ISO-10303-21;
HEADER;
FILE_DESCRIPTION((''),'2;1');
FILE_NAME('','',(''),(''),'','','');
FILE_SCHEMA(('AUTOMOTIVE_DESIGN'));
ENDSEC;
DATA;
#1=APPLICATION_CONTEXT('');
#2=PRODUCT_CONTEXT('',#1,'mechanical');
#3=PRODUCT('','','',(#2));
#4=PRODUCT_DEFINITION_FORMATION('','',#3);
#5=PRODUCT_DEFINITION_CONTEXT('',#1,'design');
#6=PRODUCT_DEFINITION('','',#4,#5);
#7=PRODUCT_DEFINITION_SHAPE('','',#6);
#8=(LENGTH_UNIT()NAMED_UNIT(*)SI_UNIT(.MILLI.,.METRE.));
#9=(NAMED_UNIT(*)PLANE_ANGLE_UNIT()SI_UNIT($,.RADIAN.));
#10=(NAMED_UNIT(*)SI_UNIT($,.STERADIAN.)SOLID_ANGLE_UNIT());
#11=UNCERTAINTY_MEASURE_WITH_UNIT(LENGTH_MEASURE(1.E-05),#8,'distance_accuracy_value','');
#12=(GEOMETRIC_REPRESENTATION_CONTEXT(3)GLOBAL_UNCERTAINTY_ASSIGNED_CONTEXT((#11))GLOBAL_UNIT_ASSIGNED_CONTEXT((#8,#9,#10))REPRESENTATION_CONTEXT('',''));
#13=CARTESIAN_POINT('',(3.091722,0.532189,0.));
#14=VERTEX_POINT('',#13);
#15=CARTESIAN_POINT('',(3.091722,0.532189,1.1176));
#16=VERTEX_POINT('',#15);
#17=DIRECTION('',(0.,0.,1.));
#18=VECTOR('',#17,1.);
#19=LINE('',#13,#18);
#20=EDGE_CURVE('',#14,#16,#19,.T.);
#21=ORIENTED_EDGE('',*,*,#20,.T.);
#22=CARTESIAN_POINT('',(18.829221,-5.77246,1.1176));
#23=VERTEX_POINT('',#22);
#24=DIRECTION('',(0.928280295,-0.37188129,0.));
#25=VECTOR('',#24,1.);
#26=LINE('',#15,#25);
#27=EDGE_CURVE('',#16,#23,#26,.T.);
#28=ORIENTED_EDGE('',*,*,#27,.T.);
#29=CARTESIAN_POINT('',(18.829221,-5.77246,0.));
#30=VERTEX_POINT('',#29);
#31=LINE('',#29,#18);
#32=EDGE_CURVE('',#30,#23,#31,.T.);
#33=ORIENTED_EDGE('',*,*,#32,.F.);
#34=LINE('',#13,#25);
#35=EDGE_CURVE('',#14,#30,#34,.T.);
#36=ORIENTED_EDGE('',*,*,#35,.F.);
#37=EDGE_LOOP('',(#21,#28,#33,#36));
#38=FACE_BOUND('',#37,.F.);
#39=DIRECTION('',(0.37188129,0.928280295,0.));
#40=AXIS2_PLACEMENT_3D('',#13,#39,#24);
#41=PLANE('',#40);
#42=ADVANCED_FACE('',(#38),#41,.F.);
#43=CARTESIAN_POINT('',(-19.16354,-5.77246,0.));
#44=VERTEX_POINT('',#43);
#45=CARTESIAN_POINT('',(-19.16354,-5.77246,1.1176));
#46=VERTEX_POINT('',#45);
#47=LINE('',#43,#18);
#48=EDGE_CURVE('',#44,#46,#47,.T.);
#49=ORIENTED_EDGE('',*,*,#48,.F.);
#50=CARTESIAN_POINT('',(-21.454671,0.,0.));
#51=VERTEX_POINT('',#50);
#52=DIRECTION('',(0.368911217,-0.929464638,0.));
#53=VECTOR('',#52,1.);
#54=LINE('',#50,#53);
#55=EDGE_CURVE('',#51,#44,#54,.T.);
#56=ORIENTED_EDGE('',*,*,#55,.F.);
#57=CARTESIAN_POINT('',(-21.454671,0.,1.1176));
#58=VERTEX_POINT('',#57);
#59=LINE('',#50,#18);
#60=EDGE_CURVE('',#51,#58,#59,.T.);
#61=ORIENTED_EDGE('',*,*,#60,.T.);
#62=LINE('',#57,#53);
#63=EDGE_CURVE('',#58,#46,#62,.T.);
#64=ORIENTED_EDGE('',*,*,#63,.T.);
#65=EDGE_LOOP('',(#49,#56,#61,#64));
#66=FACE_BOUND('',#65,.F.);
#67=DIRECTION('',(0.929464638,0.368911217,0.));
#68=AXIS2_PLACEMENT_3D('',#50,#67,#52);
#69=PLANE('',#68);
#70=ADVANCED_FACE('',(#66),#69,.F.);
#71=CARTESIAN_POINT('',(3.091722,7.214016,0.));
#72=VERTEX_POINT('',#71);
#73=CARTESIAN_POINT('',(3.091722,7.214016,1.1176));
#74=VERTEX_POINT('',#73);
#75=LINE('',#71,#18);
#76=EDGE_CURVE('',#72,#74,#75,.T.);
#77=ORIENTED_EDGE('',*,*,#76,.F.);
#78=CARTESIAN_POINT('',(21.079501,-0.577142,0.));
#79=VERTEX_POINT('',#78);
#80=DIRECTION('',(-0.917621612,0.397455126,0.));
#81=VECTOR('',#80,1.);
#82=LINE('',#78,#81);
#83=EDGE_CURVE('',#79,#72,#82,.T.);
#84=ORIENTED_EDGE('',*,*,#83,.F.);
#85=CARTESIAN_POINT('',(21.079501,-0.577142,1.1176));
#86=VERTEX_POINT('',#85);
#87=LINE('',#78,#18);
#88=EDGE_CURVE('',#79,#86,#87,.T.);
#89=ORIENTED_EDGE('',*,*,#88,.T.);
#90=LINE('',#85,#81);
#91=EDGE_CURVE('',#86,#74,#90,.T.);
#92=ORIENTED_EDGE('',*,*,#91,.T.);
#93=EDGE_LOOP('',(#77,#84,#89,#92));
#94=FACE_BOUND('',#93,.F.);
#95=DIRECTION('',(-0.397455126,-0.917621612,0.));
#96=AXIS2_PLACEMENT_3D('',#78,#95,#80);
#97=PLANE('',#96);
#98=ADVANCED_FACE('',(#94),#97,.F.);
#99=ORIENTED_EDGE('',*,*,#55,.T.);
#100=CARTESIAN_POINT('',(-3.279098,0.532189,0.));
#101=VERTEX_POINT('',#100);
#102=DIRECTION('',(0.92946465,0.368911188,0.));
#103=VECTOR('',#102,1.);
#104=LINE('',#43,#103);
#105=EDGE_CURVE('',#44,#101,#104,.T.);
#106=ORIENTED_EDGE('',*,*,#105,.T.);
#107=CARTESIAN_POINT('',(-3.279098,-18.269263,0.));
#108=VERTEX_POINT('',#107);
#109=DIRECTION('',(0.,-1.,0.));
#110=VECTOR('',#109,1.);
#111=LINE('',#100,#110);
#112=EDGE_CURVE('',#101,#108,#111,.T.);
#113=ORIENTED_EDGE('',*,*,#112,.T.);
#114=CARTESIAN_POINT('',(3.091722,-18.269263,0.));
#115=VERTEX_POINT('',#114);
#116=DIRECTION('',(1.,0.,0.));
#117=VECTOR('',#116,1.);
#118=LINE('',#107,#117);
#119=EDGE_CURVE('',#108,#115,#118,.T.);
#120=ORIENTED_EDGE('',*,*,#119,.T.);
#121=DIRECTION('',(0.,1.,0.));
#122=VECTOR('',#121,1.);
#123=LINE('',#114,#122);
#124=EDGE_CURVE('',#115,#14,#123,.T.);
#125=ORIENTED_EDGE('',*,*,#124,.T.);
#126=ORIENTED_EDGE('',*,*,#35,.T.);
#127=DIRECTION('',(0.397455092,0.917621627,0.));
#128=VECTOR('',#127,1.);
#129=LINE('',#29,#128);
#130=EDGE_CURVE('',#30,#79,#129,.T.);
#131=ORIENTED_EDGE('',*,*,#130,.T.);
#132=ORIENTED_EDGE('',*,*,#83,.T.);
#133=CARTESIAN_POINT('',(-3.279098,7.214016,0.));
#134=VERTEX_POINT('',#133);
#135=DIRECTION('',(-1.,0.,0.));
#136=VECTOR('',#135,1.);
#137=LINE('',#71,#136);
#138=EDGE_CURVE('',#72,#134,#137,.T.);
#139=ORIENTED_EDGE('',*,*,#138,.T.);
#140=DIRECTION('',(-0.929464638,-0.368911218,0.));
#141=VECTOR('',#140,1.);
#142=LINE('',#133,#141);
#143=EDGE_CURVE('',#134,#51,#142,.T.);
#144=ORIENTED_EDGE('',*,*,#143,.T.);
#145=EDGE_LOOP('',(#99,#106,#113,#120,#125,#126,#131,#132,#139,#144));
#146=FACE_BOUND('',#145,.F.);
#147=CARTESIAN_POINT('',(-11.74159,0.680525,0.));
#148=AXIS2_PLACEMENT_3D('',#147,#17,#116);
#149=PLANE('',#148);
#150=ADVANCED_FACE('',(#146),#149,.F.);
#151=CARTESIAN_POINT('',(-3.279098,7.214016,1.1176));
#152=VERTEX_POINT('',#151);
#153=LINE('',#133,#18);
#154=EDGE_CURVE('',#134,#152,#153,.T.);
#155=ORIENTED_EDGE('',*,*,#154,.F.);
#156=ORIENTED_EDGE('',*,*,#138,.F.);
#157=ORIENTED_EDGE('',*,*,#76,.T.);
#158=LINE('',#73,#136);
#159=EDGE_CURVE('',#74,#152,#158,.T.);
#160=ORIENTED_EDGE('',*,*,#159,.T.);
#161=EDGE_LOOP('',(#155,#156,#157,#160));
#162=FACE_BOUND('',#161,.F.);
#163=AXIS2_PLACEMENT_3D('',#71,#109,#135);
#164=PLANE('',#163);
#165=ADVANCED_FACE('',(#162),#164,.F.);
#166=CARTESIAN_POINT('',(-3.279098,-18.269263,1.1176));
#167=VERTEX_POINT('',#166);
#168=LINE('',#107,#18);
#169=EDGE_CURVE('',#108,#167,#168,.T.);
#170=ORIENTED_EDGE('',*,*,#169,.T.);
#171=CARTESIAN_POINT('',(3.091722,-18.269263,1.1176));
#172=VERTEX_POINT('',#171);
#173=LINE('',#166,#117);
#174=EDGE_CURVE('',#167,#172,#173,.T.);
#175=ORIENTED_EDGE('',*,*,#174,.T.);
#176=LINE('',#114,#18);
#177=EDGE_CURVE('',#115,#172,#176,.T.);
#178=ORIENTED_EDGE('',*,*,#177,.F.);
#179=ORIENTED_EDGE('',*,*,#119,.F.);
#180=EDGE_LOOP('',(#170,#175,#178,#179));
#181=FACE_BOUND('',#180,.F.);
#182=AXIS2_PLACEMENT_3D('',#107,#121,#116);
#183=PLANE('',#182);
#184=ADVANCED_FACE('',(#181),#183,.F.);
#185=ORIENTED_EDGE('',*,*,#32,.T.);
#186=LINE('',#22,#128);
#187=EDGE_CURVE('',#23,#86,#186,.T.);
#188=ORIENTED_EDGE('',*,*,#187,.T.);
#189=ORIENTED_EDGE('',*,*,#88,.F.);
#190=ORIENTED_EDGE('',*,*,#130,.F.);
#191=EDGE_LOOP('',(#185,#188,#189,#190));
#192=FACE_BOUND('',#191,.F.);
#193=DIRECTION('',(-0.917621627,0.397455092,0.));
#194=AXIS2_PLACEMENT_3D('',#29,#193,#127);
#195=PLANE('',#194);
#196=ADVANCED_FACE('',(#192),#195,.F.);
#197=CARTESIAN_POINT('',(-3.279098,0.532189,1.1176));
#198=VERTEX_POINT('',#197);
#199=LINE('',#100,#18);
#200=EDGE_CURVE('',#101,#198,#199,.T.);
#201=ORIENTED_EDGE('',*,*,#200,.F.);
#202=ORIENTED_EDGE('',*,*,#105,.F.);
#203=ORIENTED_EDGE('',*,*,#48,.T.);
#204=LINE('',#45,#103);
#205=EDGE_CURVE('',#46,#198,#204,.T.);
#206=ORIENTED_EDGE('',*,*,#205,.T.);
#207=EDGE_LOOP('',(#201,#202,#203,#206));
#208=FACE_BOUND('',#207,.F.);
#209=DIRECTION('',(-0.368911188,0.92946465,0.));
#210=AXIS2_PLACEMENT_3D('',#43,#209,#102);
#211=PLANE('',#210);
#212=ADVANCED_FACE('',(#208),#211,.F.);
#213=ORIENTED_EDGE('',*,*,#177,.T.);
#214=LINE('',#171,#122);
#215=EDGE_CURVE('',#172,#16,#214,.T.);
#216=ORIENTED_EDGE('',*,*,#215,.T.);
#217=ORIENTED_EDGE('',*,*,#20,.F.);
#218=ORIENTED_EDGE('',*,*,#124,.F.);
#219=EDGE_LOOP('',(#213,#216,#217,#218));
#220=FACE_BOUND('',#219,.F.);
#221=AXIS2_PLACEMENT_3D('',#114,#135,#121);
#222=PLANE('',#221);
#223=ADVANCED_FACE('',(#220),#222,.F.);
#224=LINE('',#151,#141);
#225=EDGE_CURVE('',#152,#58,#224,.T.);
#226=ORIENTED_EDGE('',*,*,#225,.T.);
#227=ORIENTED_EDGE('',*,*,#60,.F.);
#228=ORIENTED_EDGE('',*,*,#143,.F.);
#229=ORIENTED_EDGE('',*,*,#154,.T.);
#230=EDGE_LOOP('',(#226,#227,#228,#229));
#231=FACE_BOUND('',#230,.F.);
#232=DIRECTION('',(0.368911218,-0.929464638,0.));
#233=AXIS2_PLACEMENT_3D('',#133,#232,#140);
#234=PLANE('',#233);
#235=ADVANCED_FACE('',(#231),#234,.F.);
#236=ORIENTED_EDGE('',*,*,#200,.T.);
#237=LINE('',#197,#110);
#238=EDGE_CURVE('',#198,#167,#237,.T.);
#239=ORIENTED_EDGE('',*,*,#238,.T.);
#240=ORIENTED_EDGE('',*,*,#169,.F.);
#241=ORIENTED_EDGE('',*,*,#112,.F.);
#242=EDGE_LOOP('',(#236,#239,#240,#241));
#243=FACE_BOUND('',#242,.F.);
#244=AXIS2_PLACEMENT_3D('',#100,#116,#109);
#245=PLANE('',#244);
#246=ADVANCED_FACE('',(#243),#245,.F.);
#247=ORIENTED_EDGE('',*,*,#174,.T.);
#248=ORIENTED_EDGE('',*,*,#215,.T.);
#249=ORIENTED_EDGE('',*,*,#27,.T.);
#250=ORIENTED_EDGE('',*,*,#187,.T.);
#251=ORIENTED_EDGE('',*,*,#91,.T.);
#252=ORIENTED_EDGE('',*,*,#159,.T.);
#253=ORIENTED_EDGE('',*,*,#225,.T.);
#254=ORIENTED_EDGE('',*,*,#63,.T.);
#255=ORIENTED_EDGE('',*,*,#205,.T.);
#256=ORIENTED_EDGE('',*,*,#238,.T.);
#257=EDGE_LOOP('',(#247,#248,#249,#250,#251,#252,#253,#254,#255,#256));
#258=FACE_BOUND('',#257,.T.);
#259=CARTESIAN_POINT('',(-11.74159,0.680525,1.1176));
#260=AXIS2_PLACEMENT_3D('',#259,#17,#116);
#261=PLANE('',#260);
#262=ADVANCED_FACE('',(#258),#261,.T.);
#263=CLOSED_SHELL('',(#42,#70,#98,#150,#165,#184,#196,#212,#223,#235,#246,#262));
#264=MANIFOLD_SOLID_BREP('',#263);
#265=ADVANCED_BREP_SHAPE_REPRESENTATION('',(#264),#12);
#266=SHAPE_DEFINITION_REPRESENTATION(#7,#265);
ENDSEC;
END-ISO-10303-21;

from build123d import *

# Parameters (mm, degrees)
F1_DEPTH = 1.1176


with BuildPart() as f1:
    # F0 (on Top) → F1 (new body)
    with BuildSketch(Plane.XY):
        Polygon((-3.279098, 0.532189), (-3.279098, 7.214016), (-21.454671, 0), (-19.16354, -5.77246), align=None)
        Polygon((3.091722, 7.214016), (-3.279098, 7.214016), (-3.279098, 0.532189), (-3.279098, -18.269263), (3.091722, -18.269263), (3.091722, 0.532189), align=None)
        Polygon((21.079501, -0.577142), (3.091722, 7.214016), (3.091722, 0.532189), (18.829221, -5.77246), align=None)
    extrude(amount=F1_DEPTH)


solid = f1.part
